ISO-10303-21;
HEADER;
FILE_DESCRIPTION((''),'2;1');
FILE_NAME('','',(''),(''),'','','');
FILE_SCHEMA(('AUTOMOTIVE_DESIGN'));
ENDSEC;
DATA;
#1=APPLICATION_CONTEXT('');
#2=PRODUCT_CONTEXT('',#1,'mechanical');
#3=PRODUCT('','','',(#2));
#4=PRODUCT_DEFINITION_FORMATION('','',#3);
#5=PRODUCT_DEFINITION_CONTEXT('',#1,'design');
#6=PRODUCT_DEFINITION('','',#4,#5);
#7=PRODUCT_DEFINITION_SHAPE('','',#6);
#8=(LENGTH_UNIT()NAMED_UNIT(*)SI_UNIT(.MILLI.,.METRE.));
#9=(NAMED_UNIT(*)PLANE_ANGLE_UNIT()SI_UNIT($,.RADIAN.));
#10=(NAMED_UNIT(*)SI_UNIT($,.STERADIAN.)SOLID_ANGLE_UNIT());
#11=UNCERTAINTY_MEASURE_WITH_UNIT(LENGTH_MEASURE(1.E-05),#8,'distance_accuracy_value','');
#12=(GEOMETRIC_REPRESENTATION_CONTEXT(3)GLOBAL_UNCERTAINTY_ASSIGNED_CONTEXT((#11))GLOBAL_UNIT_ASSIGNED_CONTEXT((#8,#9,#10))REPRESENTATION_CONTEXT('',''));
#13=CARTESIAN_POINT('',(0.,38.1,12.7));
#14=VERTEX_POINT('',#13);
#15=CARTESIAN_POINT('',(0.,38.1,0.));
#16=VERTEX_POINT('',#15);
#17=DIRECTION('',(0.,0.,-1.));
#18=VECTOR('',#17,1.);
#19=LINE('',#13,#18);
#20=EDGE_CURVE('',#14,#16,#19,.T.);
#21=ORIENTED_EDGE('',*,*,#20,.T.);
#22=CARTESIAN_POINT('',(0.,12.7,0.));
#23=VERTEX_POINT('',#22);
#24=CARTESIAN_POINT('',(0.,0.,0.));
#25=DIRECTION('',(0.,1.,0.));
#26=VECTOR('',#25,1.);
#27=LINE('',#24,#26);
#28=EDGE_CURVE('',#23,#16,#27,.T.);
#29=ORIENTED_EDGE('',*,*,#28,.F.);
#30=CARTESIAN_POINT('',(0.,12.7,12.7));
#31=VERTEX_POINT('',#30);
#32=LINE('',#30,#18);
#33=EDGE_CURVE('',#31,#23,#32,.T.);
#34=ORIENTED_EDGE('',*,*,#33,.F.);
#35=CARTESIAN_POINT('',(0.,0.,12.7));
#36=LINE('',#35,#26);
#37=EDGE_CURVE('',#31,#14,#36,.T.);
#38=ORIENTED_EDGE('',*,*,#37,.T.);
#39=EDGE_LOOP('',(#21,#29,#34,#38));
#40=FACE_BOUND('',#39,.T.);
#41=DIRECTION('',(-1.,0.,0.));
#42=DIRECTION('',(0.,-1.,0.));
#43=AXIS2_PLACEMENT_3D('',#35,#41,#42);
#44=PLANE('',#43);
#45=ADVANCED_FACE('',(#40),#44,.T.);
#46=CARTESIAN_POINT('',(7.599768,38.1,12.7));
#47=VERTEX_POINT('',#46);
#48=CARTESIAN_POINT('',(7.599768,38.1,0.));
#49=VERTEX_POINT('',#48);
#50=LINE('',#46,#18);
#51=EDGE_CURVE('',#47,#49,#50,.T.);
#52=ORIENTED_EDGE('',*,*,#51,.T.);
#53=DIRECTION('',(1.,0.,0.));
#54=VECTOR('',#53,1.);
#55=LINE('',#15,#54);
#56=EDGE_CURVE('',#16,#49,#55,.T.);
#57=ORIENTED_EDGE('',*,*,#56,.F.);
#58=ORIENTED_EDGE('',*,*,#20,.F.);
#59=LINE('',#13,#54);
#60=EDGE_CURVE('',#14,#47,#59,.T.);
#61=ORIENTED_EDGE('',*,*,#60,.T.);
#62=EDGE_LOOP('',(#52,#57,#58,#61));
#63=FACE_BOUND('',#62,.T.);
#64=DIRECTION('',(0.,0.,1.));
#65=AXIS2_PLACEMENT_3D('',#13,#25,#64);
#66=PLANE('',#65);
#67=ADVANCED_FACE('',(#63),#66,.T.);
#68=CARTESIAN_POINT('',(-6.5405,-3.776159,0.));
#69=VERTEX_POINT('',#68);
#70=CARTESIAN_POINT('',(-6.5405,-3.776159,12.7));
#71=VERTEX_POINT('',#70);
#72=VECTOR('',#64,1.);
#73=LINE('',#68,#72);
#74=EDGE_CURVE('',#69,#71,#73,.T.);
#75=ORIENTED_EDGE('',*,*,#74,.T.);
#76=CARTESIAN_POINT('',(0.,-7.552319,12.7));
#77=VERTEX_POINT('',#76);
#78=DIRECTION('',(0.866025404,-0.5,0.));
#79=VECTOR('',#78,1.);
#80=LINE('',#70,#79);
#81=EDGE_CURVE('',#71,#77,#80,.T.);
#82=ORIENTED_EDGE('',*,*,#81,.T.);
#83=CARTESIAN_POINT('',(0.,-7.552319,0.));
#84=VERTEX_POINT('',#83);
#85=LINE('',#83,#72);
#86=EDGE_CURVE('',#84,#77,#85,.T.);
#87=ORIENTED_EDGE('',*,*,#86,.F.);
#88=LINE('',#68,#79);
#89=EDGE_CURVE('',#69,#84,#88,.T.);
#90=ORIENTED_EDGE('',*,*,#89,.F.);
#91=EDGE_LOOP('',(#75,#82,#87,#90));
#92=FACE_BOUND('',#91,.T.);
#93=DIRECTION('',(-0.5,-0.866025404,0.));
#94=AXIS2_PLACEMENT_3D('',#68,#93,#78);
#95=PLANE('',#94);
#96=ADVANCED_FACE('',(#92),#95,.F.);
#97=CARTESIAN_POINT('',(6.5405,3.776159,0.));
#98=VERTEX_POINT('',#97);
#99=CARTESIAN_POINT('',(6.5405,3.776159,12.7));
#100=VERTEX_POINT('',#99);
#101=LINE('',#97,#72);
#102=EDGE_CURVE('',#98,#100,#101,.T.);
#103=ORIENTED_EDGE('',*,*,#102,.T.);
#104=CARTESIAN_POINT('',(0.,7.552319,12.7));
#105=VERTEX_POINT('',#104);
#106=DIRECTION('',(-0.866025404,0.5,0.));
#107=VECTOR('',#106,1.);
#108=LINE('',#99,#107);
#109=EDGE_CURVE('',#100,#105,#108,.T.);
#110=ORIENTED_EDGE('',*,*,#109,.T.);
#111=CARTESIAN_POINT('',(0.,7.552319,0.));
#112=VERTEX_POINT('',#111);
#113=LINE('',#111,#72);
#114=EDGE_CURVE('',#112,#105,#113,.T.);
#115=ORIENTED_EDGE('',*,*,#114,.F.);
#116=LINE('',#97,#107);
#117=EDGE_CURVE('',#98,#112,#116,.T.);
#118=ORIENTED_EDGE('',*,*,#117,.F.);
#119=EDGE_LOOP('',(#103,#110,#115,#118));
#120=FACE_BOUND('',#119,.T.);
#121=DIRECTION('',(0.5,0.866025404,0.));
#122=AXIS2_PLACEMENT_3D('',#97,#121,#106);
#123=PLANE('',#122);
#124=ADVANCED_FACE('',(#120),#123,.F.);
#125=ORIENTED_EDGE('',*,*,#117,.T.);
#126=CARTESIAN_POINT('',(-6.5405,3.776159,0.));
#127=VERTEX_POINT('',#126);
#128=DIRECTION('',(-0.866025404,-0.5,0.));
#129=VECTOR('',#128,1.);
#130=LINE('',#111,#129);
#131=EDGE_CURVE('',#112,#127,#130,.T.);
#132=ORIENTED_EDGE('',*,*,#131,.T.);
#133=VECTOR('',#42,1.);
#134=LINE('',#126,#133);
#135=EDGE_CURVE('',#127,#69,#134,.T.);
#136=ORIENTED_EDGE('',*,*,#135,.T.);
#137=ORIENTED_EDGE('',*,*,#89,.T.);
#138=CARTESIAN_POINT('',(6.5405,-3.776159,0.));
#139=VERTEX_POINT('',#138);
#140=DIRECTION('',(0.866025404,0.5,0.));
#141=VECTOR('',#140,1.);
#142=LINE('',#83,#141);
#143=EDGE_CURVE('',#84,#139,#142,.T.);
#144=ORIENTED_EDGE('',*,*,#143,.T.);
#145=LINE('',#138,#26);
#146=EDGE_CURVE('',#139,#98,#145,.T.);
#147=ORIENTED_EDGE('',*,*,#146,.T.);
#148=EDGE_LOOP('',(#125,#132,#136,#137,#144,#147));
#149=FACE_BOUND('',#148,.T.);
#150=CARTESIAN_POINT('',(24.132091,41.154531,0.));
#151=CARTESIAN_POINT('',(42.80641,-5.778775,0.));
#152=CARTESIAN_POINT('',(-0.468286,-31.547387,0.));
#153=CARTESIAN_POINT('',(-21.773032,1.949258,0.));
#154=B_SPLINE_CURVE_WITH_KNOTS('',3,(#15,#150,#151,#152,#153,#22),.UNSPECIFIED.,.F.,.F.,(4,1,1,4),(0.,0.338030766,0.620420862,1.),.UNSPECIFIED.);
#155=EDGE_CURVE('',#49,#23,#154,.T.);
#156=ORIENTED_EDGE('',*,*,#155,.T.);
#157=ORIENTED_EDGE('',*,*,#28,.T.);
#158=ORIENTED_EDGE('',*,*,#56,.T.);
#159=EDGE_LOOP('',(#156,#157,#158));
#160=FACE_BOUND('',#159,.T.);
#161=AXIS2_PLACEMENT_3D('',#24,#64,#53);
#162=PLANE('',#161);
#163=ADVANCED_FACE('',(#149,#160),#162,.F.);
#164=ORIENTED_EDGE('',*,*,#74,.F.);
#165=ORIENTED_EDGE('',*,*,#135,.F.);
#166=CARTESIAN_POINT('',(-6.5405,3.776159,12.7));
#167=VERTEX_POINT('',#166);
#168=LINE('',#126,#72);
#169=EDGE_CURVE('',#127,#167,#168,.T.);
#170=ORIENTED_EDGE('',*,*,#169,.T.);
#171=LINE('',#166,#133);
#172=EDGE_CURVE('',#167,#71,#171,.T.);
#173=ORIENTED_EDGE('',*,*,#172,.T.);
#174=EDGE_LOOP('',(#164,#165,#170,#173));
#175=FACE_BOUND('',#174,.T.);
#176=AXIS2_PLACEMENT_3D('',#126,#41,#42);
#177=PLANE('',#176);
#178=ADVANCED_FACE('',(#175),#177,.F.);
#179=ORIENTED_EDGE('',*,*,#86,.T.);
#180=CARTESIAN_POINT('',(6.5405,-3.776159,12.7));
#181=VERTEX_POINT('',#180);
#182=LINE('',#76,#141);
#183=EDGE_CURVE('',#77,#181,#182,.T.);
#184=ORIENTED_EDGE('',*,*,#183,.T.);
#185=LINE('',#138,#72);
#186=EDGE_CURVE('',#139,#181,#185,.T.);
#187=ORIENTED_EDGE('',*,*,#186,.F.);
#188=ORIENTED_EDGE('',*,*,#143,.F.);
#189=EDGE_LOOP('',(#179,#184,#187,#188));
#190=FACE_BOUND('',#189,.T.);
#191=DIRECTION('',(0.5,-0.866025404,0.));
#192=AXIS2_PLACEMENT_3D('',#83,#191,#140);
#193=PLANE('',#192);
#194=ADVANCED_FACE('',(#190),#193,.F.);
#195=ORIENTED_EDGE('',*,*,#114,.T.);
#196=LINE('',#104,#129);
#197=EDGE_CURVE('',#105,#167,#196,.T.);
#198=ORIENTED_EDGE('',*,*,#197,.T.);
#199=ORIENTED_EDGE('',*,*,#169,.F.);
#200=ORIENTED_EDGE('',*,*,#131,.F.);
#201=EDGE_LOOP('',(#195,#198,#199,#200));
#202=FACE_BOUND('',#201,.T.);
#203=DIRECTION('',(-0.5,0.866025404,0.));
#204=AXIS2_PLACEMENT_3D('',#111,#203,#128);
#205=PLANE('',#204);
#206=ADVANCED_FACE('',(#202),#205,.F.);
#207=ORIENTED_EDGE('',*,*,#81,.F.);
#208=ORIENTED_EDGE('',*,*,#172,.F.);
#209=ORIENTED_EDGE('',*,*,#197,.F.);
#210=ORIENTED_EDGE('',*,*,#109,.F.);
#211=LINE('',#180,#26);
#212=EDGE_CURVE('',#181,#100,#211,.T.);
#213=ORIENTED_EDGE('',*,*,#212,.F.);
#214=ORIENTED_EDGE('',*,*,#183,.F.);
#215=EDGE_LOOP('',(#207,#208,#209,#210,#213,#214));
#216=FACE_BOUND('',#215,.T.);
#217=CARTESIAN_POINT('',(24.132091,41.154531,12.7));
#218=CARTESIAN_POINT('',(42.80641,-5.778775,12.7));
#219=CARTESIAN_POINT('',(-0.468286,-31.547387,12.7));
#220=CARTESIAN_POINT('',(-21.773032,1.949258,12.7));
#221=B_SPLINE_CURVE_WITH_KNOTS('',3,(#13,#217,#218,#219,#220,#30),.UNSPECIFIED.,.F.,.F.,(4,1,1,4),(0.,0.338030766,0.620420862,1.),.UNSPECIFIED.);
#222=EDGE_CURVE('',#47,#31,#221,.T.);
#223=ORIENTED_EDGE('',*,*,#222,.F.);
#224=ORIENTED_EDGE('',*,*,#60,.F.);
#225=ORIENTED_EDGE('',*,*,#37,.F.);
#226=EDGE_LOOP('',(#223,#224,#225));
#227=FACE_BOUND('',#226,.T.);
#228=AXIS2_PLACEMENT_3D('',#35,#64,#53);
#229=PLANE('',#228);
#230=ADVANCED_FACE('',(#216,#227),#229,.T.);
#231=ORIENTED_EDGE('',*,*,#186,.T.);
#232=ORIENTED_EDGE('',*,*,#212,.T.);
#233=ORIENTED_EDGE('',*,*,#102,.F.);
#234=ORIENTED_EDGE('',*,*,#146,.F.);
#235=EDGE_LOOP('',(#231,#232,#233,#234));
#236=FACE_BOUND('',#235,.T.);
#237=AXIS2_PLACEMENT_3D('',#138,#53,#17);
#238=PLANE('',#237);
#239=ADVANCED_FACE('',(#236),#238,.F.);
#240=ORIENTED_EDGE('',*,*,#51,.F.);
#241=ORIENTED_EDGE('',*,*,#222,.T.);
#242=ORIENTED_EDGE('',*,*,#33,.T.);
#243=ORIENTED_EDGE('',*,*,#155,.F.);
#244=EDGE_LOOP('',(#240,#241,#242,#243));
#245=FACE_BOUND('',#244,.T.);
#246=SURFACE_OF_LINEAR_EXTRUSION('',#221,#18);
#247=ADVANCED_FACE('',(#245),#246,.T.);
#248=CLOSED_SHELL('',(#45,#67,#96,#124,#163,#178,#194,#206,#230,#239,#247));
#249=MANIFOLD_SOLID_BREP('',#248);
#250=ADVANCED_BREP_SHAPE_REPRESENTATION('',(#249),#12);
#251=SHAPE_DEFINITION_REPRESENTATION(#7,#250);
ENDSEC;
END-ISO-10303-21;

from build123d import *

# Parameters (mm, degrees)
BOSS_EXTRUDE1_DEPTH = 12.7
CUT_EXTRUDE1_DEPTH  = 52.093515348


with BuildPart() as part:
    # Sketch1 → Boss-Extrude1 (new body)
    with BuildSketch(Plane.XY):
        with BuildLine():
            Line((0, 38.1), (0, 12.7))
            add(Edge.make_bspline(
                [(7.599767601, 38.1), (26.246073074, 35.529347142), (41.164337366, -6.756573634), (-0.46828552, -31.547387173), (-21.773032453, 1.949257827), (0, 12.7)],
                knots=[0.037945328, 0.037945328, 0.037945328, 0.037945328, 0.338030766, 0.620420862, 1, 1, 1, 1], degree=3))
            Line((7.599767601, 38.1), (0, 38.1))
        make_face()
        with BuildLine():
            ThreePointArc((3.175, 0), (-2.24506403, -2.24506403), (0, 3.175))
            ThreePointArc((0, 3.175), (2.24506403, 2.24506403), (3.175, 0))
        make_face(mode=Mode.SUBTRACT)
    extrude(amount=BOSS_EXTRUDE1_DEPTH)

    # Sketch2 → Cut-Extrude1 (cut, through all)
    with BuildSketch(Plane.XY.offset(12.7)):
        Polygon((6.5405, -3.776159436), (6.5405, 3.776159436), (0, 7.552318871), (-6.5405, 3.776159436), (-6.5405, -3.776159436), (0, -7.552318871), align=None)
    extrude(amount=-CUT_EXTRUDE1_DEPTH, mode=Mode.SUBTRACT)


solid = part.part
